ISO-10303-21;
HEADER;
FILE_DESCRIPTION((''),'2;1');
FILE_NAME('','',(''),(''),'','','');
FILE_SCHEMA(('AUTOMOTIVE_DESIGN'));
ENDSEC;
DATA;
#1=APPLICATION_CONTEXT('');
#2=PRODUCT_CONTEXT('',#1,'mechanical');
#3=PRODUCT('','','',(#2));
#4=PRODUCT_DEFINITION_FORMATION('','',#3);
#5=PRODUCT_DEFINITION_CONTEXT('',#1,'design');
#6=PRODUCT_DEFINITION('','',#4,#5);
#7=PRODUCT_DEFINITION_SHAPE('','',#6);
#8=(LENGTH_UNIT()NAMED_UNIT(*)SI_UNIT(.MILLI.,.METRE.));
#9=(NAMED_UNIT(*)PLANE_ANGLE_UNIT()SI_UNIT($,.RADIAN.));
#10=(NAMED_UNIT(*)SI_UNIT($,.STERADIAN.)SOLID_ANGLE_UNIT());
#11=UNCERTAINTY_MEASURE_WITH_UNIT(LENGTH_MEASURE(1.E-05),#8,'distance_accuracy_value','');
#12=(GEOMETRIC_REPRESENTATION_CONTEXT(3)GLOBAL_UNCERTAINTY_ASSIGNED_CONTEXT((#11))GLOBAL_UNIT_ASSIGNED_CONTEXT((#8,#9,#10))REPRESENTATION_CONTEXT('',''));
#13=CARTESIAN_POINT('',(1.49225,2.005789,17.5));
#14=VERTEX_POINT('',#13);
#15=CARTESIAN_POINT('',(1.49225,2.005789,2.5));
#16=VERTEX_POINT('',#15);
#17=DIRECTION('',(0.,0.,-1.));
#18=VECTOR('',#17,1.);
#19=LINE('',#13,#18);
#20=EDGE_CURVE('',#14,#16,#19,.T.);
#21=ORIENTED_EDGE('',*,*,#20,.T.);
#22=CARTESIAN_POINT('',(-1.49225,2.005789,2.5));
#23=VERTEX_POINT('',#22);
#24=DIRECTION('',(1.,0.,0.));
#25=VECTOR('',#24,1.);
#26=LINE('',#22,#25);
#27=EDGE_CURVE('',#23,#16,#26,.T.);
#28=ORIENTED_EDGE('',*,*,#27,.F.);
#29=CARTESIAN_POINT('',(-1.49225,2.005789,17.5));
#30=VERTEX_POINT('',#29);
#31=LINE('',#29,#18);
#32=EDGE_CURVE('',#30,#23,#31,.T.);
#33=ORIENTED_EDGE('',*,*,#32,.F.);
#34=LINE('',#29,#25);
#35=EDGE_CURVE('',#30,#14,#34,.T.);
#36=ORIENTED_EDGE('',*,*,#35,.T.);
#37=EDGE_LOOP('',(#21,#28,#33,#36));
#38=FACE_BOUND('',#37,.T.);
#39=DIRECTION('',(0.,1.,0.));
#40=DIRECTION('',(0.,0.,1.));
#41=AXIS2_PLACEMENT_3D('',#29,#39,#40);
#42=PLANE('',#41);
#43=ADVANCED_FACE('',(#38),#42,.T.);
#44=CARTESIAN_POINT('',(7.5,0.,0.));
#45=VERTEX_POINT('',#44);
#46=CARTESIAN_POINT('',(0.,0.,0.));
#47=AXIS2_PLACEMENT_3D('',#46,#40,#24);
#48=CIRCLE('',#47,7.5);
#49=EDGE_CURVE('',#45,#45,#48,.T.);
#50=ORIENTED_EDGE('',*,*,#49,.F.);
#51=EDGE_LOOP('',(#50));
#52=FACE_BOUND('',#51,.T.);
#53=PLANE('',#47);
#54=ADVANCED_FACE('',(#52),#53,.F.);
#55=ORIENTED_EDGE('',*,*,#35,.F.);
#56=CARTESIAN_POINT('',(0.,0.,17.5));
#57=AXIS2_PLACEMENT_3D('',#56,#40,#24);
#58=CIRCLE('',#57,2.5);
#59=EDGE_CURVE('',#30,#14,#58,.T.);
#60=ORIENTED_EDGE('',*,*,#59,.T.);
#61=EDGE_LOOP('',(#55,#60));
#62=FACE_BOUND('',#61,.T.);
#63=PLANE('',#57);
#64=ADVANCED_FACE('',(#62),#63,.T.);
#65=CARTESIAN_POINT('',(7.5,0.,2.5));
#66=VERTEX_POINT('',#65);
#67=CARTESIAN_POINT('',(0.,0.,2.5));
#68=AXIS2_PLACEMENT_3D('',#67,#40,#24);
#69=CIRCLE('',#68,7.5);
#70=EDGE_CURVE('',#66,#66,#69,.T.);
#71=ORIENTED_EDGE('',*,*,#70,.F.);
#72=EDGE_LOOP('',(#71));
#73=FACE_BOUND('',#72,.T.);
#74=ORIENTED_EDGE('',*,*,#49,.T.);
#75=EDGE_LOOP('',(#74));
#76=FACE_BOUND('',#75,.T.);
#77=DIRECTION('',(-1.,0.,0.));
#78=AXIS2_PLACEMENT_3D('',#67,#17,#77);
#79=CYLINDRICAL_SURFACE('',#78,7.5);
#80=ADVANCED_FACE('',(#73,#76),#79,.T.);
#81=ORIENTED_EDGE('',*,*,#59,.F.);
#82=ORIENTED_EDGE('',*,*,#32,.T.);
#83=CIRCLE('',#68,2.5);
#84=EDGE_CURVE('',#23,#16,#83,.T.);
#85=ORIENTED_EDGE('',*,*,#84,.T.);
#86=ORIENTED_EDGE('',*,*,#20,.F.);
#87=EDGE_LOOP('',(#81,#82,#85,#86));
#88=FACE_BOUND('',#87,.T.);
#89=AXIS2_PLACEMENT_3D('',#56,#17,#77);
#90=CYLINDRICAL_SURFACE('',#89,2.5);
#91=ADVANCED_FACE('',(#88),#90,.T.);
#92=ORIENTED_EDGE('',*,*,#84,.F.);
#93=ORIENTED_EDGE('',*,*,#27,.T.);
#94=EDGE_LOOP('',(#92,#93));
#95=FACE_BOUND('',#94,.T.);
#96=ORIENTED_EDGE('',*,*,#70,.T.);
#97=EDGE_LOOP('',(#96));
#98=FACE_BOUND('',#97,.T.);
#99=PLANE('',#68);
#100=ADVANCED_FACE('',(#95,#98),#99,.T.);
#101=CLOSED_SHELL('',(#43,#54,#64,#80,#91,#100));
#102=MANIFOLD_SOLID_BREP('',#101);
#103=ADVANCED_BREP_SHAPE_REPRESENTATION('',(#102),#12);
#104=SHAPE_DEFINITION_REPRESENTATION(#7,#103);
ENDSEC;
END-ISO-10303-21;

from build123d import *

# Parameters (mm, degrees)
SKETCH1_R           = 7.5
BOSS_EXTRUDE1_DEPTH = 2.5
BOSS_EXTRUDE3_DEPTH = 15


with BuildPart() as part:
    # Sketch1 → Boss-Extrude1 (new body)
    with BuildSketch(Plane(origin=(0, 0, 0), x_dir=(0, 1, 0), z_dir=(0, 0, 1))):
        with Locations(Location((0, 0, 0), (0, 0, 270))):
            Circle(SKETCH1_R)
    extrude(amount=BOSS_EXTRUDE1_DEPTH)

    # Sketch2 → Boss-Extrude3 (add)
    with BuildSketch(Plane.XY.offset(2.5)):
        with BuildLine():
            Line((-1.492250117, 2.005789019), (1.492250117, 2.005789019))
            ThreePointArc((1.492250117, 2.005789019), (0, -2.5), (-1.492250117, 2.005789019))
        make_face()
    extrude(amount=BOSS_EXTRUDE3_DEPTH)


solid = part.part
